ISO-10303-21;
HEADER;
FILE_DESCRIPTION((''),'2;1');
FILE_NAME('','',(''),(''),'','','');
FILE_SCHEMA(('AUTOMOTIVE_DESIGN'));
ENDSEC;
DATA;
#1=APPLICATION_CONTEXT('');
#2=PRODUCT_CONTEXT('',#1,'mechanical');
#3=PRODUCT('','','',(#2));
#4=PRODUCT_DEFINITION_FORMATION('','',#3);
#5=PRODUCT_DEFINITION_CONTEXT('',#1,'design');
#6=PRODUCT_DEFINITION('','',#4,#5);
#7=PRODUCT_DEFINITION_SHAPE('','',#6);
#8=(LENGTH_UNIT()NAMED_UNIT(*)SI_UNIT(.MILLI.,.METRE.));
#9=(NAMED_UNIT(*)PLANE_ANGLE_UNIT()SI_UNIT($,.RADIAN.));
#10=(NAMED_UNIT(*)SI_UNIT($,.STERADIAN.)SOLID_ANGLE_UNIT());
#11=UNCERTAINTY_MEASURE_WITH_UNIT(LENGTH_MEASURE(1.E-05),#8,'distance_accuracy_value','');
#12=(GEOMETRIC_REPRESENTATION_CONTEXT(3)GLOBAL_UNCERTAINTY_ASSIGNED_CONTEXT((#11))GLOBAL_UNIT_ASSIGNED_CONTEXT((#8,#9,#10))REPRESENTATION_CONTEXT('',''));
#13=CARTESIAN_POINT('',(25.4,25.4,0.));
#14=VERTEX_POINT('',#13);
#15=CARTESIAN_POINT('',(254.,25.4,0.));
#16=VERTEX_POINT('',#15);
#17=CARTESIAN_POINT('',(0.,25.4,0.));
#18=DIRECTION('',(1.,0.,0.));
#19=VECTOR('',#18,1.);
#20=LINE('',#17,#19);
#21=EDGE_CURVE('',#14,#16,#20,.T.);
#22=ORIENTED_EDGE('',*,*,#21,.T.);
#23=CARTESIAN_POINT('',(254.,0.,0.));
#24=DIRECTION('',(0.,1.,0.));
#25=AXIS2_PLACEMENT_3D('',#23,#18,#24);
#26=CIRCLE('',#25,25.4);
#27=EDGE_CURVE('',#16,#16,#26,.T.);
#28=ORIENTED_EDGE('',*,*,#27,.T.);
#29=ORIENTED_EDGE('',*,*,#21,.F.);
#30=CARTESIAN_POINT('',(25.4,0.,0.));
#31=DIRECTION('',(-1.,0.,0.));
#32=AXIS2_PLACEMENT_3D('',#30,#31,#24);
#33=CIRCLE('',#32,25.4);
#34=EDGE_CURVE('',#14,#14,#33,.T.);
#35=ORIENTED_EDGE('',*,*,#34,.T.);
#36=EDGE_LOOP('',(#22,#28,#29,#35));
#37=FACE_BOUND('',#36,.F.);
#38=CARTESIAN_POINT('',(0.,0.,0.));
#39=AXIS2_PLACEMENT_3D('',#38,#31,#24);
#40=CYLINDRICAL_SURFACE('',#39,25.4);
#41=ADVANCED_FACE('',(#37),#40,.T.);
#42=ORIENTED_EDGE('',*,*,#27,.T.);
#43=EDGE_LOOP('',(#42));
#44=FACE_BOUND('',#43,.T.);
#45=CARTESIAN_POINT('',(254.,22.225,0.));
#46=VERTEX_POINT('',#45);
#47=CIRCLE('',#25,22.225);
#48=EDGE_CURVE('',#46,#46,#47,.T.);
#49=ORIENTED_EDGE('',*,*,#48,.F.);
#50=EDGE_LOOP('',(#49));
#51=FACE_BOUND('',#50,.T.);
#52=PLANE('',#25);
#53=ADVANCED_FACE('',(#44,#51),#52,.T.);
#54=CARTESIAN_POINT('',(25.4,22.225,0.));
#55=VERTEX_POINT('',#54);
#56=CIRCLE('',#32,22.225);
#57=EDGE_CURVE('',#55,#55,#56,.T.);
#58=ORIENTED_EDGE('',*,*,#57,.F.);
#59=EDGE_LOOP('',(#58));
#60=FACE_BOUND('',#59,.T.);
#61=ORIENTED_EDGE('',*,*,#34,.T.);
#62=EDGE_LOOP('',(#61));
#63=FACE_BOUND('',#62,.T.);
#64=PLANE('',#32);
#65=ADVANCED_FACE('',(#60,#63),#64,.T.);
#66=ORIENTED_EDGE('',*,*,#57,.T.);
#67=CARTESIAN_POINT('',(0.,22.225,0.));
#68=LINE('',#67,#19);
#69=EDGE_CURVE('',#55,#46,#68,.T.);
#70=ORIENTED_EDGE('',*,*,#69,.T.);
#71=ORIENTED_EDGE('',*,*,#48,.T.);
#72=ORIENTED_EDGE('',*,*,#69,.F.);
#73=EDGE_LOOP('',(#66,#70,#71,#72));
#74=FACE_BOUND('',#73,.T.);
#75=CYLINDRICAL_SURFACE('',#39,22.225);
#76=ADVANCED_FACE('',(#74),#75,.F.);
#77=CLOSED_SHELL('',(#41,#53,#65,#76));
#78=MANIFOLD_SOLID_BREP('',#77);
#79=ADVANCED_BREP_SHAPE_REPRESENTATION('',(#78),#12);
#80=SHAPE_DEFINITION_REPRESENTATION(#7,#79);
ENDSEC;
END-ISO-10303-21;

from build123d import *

# Parameters (mm, degrees)
F0_R      = 25.4
F1_DEPTH  = 254
F2_T      = -3.175
F1_FACE_R = 25.4
F3_DEPTH  = 25.4


with BuildPart() as f1:
    # F0 (on Right) → F1 (new body)
    with BuildSketch(Plane.YZ):
        Circle(F0_R)
    extrude(amount=F1_DEPTH)

    # F2
    f2_openings = [f1.faces().sort_by_distance(p)[0] for p in [
        (254, 0, 0),
    ]]
    offset(amount=F2_T, openings=f2_openings)

    # F1_face (on face) → F3 (cut)
    with BuildSketch(Plane(origin=(0, 0, 0), x_dir=(0, 1, 0), z_dir=(-1, 0, 0))):
        Circle(F1_FACE_R)
    extrude(amount=-F3_DEPTH, mode=Mode.SUBTRACT)


solid = f1.part
